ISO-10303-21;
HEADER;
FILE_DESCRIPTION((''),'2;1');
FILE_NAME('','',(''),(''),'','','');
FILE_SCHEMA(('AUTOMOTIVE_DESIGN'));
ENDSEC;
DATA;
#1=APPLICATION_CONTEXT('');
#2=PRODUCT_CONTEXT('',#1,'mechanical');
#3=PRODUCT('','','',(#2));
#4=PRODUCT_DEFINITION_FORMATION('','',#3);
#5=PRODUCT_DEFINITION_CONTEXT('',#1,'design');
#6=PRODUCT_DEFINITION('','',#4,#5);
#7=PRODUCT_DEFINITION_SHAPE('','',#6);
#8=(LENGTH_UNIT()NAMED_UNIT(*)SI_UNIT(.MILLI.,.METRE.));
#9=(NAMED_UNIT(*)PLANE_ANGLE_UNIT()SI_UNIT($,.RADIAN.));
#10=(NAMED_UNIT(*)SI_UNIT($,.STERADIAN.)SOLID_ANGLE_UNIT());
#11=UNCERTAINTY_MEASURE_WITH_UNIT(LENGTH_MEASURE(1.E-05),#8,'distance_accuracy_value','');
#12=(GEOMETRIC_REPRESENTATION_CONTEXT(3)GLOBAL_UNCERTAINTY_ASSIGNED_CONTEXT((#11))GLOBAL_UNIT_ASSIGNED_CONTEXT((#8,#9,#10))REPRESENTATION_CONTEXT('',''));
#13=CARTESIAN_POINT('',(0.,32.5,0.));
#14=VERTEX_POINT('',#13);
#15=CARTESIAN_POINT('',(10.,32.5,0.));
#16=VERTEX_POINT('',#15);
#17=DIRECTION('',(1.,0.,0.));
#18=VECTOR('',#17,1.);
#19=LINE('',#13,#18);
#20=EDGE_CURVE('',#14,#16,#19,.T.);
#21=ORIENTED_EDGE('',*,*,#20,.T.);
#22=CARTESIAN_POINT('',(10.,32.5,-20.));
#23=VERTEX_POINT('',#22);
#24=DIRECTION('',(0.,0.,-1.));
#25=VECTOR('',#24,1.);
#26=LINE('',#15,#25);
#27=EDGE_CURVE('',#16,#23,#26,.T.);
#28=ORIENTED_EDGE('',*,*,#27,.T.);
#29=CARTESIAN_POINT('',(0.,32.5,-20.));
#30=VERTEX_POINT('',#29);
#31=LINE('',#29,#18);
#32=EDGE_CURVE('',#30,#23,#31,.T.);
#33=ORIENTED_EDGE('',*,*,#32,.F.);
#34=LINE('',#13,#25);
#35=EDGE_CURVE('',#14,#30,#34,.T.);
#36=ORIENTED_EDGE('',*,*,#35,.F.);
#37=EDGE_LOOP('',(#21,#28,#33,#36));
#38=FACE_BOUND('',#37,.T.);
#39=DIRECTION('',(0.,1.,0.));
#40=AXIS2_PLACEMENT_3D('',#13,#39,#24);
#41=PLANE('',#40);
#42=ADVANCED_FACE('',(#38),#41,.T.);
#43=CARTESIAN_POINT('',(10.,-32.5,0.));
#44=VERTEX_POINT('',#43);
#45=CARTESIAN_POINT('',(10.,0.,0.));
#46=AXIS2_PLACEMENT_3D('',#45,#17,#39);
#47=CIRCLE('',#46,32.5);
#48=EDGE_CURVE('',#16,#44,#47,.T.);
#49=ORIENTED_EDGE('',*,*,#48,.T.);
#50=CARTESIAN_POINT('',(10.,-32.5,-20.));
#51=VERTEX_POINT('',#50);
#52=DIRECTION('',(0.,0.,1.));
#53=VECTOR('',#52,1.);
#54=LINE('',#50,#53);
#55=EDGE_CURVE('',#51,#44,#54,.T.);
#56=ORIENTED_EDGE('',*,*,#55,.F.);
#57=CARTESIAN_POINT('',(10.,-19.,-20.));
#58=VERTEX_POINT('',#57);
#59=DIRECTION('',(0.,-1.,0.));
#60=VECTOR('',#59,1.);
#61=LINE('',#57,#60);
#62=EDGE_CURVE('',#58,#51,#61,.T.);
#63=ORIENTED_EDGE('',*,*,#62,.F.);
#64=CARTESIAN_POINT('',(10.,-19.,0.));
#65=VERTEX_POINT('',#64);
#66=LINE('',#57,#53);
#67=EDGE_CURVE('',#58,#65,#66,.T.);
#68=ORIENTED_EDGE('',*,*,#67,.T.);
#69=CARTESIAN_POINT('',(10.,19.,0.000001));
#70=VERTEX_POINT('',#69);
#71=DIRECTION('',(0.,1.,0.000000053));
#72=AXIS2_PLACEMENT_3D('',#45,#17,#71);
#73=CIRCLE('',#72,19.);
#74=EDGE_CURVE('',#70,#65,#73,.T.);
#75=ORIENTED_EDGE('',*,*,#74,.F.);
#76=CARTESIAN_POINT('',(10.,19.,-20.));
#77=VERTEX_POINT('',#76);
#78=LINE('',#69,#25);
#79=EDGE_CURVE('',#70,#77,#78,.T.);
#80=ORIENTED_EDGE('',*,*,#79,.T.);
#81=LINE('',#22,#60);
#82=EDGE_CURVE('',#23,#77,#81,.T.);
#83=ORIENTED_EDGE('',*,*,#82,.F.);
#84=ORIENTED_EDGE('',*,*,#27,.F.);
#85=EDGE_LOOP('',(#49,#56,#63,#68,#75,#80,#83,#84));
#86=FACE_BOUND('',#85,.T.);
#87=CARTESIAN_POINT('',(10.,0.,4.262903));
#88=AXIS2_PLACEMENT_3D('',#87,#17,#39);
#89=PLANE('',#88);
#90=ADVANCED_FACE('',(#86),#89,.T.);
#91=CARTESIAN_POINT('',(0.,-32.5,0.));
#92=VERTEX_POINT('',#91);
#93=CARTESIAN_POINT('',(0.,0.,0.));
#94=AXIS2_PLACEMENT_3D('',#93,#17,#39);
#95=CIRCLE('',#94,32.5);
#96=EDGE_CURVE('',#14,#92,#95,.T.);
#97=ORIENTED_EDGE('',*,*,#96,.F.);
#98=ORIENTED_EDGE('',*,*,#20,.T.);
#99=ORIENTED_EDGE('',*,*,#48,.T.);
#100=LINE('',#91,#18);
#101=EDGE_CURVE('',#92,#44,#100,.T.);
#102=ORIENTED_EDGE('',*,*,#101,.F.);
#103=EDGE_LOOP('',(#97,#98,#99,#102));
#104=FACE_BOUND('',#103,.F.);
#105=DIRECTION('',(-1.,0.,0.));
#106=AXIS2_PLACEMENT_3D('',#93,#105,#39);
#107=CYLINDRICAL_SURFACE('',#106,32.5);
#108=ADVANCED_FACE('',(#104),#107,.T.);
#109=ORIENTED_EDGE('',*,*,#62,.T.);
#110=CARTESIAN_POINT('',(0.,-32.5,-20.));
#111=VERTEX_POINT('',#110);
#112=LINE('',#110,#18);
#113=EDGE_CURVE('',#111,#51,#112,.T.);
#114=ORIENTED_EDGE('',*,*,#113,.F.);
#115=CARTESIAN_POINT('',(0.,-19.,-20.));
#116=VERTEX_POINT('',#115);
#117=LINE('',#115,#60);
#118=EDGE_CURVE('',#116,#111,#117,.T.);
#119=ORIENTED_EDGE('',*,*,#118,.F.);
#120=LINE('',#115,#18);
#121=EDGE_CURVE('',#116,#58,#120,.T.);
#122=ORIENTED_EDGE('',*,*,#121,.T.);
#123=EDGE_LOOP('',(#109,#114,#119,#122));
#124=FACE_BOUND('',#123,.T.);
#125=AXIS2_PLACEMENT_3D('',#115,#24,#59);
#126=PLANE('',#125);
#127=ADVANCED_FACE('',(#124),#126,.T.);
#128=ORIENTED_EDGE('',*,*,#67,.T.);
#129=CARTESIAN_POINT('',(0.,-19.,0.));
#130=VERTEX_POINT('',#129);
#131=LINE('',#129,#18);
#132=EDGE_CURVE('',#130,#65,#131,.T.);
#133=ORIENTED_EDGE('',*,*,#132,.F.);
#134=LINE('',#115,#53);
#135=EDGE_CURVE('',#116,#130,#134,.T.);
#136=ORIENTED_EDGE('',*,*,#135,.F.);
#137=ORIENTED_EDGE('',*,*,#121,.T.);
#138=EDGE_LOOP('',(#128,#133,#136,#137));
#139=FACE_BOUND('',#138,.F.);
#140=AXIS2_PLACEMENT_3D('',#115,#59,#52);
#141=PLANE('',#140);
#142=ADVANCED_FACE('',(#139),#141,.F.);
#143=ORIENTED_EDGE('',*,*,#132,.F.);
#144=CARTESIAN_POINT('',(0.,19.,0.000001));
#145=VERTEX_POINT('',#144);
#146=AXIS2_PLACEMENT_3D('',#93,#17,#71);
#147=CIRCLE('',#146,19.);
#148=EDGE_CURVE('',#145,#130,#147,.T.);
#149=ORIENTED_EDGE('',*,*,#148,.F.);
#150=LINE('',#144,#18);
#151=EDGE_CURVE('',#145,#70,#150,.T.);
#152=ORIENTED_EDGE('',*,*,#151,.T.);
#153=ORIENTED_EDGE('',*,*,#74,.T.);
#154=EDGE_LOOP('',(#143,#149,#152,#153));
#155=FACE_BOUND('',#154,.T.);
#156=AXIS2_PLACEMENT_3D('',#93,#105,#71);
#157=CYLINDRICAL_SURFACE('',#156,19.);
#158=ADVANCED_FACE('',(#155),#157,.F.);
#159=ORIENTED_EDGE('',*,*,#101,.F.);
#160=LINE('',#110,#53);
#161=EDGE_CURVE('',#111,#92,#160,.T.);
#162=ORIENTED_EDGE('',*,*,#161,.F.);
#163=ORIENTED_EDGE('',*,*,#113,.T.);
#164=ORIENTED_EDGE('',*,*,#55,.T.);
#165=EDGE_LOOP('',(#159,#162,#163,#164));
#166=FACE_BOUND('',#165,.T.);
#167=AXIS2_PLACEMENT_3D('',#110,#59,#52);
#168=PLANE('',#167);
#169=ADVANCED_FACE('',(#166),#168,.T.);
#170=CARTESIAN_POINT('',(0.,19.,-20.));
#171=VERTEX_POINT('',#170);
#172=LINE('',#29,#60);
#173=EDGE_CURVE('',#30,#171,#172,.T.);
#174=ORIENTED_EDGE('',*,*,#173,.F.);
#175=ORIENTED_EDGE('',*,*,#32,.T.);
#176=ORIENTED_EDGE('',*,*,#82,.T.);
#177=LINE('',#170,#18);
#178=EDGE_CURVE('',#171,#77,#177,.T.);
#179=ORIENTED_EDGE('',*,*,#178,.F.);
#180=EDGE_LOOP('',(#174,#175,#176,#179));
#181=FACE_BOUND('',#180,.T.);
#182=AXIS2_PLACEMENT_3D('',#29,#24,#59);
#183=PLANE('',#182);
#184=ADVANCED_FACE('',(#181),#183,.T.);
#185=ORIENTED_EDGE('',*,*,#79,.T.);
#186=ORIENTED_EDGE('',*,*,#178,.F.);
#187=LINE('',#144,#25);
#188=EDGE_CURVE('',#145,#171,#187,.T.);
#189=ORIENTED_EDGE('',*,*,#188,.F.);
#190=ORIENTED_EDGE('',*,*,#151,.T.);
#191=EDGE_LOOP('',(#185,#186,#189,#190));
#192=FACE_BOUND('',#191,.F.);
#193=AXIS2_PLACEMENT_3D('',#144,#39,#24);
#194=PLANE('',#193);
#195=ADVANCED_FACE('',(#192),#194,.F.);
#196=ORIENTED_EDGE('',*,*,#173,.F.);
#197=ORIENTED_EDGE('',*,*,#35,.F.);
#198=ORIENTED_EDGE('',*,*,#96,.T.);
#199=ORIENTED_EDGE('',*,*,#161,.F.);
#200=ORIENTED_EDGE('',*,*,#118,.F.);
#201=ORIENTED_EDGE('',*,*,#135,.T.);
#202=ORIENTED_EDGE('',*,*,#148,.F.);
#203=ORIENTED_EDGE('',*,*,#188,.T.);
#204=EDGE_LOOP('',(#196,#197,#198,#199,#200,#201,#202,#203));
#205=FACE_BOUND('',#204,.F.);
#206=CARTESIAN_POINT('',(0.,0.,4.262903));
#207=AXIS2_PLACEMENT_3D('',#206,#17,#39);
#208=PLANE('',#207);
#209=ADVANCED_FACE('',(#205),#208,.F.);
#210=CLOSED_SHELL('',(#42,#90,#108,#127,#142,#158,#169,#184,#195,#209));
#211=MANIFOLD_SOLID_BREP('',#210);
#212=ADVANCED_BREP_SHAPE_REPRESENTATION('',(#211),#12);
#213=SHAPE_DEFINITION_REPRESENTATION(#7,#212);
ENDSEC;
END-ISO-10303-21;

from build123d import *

# Parameters (mm, degrees)
PAD_DEPTH = 10


with BuildPart() as part:
    # Sketch → Pad (new body)
    with BuildSketch(Plane.YZ):
        with BuildLine():
            ThreePointArc((32.5, 0), (0, 32.5), (-32.5, 0))
            Line((-32.5, -20), (-32.5, 0))
            Line((-19, -20), (-32.5, -20))
            Line((-19, -20), (-19, 0))
            ThreePointArc((19, 1e-06), (0, 19), (-19, 0))
            Line((19, 1e-06), (19, -20))
            Line((32.5, -20), (19, -20))
            Line((32.5, 0), (32.5, -20))
        make_face()
    extrude(amount=PAD_DEPTH)


solid = part.part
